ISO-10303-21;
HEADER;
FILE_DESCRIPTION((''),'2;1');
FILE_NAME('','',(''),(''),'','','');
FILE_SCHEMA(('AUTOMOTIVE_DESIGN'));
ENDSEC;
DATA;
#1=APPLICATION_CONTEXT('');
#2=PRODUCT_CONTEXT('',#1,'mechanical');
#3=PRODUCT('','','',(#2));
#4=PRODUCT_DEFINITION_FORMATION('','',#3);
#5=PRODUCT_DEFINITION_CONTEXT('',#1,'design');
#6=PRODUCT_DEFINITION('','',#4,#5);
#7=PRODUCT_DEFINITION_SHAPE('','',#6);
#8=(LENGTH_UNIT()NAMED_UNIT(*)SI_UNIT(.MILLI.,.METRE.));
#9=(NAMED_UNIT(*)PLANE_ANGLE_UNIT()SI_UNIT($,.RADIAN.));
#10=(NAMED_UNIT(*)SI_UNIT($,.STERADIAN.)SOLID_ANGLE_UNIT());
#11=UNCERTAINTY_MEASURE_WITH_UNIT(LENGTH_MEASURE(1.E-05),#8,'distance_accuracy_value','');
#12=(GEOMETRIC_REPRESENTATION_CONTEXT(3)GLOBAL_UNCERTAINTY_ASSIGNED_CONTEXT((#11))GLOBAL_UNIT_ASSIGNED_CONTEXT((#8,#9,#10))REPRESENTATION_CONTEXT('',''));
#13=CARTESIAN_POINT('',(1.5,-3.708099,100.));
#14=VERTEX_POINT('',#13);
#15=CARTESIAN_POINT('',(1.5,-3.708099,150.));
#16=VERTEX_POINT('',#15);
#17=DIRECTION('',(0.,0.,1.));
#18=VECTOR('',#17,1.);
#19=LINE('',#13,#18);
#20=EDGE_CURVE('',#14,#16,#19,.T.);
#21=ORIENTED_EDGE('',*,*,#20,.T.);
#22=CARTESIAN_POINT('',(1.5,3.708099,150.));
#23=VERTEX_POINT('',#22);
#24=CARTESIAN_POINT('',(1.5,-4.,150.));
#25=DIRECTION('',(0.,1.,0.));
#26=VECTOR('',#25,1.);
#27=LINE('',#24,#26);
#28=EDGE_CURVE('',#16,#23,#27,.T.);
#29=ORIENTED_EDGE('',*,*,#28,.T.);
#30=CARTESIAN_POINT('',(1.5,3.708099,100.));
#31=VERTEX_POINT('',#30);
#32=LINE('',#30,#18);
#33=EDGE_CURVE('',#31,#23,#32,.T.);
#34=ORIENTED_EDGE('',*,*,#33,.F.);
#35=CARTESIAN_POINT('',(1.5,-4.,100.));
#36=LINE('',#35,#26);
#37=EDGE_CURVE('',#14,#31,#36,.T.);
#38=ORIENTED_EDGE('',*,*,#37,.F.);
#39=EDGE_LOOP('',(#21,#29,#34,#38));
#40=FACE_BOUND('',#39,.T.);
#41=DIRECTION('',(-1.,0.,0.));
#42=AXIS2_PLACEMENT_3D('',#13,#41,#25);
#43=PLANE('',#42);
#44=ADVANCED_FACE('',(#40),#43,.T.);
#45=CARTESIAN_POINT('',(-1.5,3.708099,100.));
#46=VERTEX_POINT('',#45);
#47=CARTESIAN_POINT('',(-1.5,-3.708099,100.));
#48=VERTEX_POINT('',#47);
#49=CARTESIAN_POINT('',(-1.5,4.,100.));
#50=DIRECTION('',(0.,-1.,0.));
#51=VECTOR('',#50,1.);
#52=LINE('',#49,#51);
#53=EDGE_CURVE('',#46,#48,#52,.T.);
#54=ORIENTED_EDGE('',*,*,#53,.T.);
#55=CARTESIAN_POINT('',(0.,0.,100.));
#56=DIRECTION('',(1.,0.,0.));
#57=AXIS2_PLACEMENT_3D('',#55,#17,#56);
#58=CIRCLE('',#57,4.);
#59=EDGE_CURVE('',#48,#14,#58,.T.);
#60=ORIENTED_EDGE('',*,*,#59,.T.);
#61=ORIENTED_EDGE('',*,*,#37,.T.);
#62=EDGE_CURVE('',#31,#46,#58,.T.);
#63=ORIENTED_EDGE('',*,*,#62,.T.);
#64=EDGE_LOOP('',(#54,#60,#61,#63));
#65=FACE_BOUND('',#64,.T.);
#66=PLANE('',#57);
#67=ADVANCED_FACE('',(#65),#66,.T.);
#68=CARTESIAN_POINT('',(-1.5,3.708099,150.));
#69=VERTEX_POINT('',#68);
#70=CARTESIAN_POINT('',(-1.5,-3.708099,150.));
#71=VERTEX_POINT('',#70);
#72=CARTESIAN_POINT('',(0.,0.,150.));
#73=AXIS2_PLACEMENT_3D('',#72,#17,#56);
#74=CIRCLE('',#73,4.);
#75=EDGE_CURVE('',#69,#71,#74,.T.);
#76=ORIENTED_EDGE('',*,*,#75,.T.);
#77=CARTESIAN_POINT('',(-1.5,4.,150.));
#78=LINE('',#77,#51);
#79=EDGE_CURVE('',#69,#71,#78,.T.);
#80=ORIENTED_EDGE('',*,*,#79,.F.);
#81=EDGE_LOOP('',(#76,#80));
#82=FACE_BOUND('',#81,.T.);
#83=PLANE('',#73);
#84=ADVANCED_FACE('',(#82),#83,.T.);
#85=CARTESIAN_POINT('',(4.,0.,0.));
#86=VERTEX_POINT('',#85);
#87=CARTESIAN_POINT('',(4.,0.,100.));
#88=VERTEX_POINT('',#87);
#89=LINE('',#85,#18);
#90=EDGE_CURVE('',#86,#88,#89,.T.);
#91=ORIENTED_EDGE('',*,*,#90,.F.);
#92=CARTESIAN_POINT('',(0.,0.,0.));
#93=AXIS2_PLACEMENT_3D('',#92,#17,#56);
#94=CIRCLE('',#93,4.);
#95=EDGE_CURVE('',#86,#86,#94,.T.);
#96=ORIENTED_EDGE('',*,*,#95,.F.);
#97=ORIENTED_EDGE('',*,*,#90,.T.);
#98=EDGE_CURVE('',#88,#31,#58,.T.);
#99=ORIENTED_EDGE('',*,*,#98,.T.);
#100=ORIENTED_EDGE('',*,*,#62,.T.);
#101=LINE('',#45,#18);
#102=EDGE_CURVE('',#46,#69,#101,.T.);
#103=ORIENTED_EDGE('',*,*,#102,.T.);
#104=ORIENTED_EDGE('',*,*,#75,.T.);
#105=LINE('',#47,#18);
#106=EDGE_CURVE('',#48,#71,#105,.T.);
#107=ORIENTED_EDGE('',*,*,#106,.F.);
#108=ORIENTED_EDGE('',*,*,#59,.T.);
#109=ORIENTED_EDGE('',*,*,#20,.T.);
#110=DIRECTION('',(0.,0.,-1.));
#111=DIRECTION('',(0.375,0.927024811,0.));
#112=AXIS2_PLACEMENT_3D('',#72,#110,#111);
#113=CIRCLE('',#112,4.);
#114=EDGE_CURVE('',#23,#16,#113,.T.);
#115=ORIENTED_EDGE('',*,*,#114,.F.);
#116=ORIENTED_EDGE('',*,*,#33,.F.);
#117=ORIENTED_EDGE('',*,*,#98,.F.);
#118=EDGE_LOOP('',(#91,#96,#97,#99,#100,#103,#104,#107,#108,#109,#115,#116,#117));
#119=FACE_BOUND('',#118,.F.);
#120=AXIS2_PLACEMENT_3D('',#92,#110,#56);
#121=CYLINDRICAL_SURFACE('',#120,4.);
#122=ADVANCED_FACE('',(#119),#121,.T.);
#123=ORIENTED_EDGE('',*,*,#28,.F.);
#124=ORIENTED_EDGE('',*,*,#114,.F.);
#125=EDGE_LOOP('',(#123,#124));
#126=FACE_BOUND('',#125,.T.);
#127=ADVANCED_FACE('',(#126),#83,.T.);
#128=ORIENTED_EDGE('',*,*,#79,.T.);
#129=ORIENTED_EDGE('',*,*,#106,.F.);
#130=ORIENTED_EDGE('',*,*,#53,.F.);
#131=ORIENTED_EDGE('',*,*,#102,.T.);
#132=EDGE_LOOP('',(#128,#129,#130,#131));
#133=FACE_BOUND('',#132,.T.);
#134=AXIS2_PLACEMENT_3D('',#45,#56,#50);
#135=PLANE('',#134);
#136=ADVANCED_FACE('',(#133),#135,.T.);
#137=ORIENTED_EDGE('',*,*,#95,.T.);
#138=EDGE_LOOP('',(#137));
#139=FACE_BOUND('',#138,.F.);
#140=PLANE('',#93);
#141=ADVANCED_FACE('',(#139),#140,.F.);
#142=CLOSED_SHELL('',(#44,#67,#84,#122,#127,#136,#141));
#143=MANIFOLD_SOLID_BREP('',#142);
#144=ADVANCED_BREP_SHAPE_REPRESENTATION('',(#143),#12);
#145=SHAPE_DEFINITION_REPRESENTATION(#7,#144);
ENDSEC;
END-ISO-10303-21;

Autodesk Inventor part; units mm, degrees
ref_plane "YZ Plane" through (0, 0, 0) normal (1, 0, 0) x (0, 1, 0)
ref_plane "XZ Plane" through (0, 0, 0) normal (0, 1, 0) x (-1, 0, 0)
ref_plane "XY Plane" through (0, 0, 0) normal (0, 0, 1) x (1, 0, 0)
sketch "Sketch1" plane through (0, 0, 0) normal (0, 0, 1) x (1, 0, 0)
  circle A0 centre (0, 0) radius 4.05 projected
  circle A1 centre (0, 0) radius 7.5 projected
  circle A2 centre (0, 0) radius 4.05 projected
  circle A3 centre (0, 0) radius 4
  dimension "d0" = 8
extrude "Extrusion1" add sketch "Sketch1" along normal blind 100 contours A3
sketch "Sketch2" plane through (0, 0, 100) normal (0, 0, 1) x (1, 0, 0)
  circle A0 centre (0, 0) radius 4 projected
  line L0 (-1.5, 4) -> (-1.5, -4)
  line L1 (-1.5, -4) -> (1.5, -4)
  line L2 (1.5, -4) -> (1.5, 4)
  line L3 (1.5, 4) -> (-1.5, 4)
  line L4 (-1.5, 4) -> (1.5, -4) construction
  line L5 (-1.5, -4) -> (1.5, 4) construction
  point P0 (-1.5, -3.7081)
  point P1 (-1.5, 3.7081)
  point P2 (1.5, 3.7081)
  point P3 (1.5, -3.7081)
  dimension "d3" = 3
extrude "Extrusion2" add sketch "Sketch2" along normal blind 50 contours A0 L2 | L0 A0
properties part number "spirale"
